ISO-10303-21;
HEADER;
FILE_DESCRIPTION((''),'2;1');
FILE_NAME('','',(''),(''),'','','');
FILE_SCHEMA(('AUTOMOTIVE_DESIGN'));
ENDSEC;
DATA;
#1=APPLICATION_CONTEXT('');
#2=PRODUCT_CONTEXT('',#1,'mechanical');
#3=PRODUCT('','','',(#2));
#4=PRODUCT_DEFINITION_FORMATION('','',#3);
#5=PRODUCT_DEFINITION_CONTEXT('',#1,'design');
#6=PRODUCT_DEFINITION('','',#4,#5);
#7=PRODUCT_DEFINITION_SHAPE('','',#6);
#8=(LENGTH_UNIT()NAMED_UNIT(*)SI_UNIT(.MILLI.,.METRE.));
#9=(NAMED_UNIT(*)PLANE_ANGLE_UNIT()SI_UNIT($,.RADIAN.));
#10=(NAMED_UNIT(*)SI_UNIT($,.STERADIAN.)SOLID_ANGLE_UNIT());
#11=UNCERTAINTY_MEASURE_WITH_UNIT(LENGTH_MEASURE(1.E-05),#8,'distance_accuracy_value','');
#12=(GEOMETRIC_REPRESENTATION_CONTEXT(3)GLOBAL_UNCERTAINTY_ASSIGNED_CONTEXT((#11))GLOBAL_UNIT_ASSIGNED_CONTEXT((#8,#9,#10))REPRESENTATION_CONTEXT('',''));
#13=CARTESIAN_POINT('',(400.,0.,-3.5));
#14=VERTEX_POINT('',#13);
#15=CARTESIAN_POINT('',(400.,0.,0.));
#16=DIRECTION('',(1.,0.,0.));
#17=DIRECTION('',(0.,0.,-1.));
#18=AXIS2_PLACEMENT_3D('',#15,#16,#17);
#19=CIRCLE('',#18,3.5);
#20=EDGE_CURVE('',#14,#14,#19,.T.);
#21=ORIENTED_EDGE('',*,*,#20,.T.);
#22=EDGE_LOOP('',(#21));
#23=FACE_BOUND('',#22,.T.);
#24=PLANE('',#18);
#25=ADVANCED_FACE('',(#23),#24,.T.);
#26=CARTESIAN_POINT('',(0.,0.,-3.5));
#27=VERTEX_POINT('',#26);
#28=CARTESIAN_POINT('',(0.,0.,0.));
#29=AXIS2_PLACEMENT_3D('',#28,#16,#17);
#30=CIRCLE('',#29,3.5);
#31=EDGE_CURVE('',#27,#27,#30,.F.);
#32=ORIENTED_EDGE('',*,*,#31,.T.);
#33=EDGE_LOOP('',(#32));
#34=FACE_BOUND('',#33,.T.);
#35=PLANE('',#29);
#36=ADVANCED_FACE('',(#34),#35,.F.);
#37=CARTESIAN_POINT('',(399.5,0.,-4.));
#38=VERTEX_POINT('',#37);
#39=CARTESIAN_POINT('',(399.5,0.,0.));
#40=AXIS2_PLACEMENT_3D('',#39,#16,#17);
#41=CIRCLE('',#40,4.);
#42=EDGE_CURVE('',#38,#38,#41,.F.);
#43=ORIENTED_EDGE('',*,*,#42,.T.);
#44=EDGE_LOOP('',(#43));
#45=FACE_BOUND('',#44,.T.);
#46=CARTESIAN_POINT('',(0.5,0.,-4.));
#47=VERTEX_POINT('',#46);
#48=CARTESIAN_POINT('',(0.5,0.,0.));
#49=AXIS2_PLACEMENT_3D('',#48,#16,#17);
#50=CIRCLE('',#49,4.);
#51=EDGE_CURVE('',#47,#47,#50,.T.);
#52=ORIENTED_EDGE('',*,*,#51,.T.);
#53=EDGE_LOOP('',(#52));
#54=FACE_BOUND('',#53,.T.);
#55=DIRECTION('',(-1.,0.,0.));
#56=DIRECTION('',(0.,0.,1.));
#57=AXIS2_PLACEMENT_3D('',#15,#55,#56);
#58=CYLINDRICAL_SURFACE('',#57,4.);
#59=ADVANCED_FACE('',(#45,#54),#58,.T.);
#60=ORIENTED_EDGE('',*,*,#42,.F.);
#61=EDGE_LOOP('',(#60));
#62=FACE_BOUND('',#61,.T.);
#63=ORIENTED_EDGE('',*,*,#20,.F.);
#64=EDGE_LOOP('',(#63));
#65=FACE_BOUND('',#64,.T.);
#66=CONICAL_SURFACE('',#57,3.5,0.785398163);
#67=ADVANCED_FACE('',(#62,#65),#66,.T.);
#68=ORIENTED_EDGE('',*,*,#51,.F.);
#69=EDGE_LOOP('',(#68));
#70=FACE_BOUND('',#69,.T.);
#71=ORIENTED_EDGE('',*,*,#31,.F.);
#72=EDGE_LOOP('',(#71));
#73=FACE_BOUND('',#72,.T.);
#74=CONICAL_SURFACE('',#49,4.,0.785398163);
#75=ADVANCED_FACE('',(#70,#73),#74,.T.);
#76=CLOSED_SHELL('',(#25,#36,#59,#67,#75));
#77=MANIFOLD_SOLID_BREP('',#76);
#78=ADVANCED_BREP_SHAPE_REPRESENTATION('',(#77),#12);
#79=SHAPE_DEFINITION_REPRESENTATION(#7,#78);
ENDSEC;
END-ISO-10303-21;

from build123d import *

# Parameters (mm, degrees)
SKETCH1_R           = 4
BOSS_EXTRUDE1_DEPTH = 400
CHAMFER1_SIZE       = 0.5


with BuildPart() as part:
    # Sketch1 → Boss-Extrude1 (new body)
    with BuildSketch(Plane(origin=(0, 0, 0), x_dir=(0, 0, -1), z_dir=(1, 0, 0))):
        Circle(SKETCH1_R)
    extrude(amount=BOSS_EXTRUDE1_DEPTH)

    # Chamfer1
    chamfer1_edges = [part.edges().sort_by_distance(p)[0] for p in [
        (0, 0, 4),
        (400, 0, 4),
    ]]
    chamfer(chamfer1_edges, length=CHAMFER1_SIZE)


solid = part.part
